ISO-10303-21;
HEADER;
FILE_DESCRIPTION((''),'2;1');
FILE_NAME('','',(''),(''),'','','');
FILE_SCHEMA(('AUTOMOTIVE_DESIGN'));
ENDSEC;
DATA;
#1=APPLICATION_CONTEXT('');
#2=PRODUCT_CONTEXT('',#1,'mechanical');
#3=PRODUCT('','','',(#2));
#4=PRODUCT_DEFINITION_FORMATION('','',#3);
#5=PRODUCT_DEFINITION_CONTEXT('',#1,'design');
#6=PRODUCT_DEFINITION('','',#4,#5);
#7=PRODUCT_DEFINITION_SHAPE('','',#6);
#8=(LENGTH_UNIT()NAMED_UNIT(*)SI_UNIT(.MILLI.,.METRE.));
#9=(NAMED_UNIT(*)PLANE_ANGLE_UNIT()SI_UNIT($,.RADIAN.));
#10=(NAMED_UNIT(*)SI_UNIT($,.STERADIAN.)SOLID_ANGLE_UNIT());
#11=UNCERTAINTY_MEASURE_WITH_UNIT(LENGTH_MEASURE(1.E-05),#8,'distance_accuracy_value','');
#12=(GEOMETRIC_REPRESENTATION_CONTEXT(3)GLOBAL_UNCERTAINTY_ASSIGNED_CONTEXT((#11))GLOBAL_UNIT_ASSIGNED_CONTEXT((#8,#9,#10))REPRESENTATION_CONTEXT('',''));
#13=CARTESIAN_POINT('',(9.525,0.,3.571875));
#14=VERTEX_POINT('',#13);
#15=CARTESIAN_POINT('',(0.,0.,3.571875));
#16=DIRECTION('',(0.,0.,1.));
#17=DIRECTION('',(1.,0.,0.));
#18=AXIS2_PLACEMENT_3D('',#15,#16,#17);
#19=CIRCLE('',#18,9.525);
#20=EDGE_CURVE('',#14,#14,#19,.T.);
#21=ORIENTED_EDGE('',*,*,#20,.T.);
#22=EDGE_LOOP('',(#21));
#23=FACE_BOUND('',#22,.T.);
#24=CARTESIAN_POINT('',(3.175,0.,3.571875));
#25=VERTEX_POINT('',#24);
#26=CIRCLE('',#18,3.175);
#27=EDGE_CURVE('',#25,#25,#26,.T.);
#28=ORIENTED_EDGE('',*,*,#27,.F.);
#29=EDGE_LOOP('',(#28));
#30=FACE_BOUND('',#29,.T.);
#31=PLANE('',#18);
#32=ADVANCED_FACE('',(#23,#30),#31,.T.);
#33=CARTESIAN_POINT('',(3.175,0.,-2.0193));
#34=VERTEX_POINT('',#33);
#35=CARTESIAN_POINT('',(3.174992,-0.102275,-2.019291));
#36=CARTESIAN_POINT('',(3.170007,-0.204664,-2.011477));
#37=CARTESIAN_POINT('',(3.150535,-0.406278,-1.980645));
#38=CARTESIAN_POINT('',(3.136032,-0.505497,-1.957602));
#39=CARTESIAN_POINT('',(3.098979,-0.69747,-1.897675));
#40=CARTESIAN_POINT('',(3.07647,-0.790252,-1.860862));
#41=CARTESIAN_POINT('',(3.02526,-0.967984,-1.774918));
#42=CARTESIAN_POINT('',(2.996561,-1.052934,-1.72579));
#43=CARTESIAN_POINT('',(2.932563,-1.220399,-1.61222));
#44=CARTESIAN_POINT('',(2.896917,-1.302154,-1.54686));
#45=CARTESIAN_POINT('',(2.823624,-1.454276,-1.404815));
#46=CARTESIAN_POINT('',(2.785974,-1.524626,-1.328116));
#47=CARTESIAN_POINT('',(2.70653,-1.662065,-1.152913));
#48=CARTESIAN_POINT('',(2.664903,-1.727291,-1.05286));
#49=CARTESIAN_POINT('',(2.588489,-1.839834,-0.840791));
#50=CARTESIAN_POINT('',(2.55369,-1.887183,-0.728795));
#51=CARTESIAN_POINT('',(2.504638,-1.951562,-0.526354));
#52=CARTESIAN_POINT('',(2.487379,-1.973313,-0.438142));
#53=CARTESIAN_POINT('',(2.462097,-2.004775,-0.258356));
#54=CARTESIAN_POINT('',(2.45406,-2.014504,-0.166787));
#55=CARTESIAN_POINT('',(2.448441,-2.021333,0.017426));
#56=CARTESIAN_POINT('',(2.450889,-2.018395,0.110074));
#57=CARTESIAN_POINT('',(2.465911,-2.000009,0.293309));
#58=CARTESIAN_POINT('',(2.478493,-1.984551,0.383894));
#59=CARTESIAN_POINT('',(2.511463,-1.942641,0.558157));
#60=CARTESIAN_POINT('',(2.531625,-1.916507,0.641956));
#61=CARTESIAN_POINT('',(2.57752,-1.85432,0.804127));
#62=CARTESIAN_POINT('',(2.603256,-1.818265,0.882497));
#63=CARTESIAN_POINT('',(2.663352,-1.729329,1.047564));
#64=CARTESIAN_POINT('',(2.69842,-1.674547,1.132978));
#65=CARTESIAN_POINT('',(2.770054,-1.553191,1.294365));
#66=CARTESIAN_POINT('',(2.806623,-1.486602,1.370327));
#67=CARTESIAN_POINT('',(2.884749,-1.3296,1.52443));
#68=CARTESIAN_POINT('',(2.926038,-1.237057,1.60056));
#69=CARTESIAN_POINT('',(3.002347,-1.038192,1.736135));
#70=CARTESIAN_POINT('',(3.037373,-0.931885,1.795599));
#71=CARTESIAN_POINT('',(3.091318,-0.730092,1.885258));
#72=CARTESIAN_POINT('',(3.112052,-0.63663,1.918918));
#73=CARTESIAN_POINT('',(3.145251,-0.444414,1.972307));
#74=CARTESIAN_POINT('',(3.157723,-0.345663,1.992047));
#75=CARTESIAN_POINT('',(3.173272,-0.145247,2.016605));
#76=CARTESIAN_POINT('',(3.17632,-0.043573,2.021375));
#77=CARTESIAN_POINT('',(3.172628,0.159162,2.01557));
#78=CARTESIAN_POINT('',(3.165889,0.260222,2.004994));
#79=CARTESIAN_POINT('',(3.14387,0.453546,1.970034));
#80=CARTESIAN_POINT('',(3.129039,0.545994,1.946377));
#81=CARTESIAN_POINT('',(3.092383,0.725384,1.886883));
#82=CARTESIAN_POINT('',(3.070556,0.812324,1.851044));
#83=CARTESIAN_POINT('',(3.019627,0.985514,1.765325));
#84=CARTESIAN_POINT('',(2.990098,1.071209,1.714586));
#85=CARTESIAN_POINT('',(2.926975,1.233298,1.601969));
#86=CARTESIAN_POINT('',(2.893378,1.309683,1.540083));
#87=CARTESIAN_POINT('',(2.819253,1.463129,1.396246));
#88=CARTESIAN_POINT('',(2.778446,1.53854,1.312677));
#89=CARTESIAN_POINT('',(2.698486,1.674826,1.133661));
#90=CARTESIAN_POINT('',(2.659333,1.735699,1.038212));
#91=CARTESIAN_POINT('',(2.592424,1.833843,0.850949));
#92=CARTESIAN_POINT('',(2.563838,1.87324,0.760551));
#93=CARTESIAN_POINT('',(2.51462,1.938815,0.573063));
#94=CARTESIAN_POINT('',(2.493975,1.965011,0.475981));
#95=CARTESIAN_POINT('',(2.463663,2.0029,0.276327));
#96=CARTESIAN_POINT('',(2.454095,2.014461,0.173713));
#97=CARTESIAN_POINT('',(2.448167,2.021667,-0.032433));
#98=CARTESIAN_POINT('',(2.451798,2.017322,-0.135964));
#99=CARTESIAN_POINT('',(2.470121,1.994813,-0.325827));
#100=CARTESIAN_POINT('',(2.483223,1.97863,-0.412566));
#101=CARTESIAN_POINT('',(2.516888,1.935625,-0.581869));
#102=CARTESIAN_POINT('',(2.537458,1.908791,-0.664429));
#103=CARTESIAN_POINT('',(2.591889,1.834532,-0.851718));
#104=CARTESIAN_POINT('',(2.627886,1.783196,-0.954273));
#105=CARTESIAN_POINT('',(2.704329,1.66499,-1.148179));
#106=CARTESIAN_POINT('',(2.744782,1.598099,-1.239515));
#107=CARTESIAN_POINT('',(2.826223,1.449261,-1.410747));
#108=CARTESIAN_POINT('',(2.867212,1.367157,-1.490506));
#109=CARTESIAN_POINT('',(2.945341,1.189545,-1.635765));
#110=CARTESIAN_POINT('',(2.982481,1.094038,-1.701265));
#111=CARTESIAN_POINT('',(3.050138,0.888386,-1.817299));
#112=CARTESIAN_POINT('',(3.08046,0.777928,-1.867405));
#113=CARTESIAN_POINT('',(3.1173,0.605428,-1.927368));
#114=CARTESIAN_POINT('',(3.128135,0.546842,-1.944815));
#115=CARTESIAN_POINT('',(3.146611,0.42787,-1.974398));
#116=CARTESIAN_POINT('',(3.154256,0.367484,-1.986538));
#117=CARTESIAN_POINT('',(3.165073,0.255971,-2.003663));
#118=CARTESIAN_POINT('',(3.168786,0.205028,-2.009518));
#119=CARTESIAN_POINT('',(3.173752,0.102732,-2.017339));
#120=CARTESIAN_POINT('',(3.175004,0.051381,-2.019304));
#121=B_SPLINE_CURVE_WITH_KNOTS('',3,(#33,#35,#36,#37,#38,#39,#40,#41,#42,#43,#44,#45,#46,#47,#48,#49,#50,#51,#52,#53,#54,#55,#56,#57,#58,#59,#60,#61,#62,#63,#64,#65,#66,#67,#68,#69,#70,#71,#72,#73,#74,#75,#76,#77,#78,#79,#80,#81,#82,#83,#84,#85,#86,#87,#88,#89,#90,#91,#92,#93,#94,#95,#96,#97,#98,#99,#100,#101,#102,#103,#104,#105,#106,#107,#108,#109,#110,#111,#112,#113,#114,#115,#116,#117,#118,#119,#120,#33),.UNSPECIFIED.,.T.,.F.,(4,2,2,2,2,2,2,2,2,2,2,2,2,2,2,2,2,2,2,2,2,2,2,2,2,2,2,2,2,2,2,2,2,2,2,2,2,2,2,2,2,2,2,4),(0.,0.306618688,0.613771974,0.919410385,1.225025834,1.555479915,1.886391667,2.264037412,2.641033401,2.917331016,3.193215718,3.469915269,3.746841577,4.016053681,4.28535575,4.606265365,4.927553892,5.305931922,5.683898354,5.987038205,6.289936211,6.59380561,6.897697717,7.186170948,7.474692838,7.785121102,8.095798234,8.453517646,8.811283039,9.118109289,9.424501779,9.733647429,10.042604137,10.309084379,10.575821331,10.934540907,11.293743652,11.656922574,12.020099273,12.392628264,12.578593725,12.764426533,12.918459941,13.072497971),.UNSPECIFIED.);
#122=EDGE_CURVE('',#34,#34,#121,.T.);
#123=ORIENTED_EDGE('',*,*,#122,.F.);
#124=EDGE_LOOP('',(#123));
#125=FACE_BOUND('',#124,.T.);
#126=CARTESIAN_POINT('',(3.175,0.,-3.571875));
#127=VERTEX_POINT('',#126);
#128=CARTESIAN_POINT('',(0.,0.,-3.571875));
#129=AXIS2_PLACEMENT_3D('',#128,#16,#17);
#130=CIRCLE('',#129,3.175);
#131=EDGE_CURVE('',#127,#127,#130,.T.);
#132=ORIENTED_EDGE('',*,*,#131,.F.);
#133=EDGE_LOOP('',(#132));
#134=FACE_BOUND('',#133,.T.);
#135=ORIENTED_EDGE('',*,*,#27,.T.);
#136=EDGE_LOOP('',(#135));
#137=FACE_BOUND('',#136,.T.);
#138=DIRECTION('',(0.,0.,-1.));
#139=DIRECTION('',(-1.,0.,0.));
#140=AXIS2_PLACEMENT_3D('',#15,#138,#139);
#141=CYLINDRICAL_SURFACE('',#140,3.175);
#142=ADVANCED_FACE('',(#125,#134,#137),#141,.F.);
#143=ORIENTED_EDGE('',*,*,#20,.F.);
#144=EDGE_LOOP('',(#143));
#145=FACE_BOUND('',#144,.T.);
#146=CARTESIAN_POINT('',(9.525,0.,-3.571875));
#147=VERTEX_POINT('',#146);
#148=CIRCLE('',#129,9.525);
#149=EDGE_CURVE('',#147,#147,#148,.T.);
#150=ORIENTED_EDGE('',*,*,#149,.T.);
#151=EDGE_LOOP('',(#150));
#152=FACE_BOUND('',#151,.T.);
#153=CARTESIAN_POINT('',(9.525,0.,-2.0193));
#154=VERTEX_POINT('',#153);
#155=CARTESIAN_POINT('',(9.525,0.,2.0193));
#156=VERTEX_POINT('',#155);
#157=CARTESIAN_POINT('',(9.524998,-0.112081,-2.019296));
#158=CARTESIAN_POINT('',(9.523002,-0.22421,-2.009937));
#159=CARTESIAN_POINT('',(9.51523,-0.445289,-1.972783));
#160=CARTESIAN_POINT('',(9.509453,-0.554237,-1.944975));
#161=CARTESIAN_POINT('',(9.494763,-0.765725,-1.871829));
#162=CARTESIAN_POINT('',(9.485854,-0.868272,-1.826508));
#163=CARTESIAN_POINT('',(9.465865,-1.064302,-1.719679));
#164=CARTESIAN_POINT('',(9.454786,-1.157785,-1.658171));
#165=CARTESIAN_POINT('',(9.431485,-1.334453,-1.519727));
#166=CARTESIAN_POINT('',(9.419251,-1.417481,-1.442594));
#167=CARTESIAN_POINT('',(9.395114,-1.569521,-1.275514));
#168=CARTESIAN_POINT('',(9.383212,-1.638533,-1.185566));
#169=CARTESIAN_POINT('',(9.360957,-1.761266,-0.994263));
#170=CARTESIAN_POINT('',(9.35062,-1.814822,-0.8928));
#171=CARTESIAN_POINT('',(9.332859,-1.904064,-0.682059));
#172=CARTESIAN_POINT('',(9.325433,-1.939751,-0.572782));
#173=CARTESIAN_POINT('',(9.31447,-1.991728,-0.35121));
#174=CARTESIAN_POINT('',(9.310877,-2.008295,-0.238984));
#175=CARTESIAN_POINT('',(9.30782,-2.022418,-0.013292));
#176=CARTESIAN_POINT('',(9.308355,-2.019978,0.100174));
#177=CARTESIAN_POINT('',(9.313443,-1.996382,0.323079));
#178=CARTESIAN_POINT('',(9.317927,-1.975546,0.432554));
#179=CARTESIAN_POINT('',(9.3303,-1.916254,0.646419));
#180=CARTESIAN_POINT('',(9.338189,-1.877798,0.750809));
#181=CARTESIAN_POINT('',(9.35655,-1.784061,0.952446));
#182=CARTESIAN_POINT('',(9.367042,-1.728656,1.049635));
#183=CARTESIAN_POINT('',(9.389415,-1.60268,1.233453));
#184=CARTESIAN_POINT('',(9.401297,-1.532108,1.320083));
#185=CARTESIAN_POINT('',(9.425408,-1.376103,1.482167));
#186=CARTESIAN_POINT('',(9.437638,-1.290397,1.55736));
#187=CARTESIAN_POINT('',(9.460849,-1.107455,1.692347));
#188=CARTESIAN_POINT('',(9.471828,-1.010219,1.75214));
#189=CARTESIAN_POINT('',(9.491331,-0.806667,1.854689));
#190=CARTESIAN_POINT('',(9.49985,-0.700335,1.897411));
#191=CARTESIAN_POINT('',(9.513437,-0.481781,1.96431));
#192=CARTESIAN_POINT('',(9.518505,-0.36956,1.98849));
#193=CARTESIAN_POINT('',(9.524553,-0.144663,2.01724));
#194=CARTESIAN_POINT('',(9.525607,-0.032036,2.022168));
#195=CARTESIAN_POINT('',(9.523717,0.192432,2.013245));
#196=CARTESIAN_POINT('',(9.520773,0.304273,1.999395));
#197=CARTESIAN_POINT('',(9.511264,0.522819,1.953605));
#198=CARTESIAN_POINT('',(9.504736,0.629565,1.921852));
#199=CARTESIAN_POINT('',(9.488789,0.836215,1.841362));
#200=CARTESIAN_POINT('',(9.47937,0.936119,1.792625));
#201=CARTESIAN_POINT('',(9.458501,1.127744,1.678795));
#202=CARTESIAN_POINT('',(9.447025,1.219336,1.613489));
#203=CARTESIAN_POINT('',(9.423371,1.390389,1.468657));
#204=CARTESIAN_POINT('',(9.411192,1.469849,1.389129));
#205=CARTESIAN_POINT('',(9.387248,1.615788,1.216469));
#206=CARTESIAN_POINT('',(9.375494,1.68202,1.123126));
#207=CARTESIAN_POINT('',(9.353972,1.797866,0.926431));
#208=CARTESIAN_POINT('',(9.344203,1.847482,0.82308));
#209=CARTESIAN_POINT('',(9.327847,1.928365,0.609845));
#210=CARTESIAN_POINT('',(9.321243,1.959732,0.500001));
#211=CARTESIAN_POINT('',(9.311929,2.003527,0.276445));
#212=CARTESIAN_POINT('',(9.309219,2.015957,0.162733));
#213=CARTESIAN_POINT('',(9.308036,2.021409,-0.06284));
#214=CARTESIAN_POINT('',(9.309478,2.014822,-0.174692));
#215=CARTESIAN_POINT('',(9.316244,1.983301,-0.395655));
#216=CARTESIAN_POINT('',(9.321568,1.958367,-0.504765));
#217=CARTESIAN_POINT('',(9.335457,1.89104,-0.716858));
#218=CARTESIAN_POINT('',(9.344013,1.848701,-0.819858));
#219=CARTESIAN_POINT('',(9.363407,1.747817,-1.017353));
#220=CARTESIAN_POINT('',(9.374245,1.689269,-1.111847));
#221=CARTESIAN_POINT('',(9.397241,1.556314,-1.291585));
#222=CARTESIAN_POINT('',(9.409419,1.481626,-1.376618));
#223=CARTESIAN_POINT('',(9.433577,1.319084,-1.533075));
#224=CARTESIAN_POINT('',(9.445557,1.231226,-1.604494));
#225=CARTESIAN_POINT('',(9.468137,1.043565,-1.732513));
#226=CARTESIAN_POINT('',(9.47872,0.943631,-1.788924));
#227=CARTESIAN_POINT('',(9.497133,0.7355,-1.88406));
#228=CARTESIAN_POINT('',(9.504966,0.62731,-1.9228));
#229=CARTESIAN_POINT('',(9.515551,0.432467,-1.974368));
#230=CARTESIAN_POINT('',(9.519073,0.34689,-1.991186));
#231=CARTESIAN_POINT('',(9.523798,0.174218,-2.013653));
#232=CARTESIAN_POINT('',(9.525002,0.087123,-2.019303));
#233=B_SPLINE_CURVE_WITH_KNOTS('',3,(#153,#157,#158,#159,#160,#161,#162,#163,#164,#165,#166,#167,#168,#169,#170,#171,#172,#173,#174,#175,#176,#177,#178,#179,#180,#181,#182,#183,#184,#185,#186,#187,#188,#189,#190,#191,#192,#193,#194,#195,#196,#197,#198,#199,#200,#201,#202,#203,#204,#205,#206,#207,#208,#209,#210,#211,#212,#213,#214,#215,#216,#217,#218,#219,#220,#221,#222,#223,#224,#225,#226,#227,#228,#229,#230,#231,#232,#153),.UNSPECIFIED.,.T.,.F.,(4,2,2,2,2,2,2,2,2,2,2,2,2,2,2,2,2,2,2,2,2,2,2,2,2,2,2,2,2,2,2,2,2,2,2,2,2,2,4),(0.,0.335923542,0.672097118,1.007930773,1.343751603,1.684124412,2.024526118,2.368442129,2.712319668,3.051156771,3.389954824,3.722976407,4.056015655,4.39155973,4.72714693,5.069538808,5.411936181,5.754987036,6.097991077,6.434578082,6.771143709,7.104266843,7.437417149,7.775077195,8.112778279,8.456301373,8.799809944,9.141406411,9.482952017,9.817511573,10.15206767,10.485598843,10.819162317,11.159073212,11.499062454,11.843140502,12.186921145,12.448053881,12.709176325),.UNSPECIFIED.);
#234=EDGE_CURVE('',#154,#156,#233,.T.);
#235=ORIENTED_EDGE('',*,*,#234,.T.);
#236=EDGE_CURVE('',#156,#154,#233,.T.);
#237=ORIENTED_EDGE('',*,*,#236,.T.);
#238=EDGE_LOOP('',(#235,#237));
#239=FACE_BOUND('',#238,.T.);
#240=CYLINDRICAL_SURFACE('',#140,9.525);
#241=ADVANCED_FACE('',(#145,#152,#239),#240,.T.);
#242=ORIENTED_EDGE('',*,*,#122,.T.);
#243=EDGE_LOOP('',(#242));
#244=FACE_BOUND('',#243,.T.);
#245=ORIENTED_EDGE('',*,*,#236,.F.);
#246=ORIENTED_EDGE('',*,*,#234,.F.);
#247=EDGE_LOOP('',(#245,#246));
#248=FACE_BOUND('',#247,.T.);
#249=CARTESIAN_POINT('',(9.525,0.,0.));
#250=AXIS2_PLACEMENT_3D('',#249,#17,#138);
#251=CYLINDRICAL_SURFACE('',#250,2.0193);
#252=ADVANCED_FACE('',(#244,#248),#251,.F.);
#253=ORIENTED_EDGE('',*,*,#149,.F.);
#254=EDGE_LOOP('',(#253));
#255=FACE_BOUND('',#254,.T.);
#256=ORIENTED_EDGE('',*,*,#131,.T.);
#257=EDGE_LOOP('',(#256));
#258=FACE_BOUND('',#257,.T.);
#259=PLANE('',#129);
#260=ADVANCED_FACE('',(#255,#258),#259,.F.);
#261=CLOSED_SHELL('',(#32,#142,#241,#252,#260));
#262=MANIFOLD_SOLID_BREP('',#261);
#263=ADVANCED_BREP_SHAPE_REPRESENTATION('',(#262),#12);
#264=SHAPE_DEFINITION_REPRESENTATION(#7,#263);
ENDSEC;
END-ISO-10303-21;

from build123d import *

# Parameters (mm, degrees)
SKETCH1_R                   = 9.525
SKETCH1_R_2                 = 3.175
EXTRUDE1_DEPTH              = 3.571875
F_10_32_TAPPED_HOLE1_REACH  = 23.596
F_10_32_TAPPED_HOLE1_BORE_R = 2.0193


with BuildPart() as part:
    # Sketch1 → Extrude1 (new, symmetric)
    with BuildSketch(Plane.XY):
        Circle(SKETCH1_R)
        Circle(SKETCH1_R_2, mode=Mode.SUBTRACT)
    extrude(amount=EXTRUDE1_DEPTH, both=True)

    # #10-32 Tapped Hole1 bore → #10-32 Tapped Hole1 (cut, up to next)
    with BuildSketch(Plane(origin=(9.525, 0, 0), x_dir=(0, 0, -1), z_dir=(1, 0, 0)), mode=Mode.PRIVATE) as f_10_32_tapped_hole1_sk1:
        Circle(F_10_32_TAPPED_HOLE1_BORE_R)
    f_10_32_tapped_hole1_tool1 = extrude(f_10_32_tapped_hole1_sk1.sketch, amount=-F_10_32_TAPPED_HOLE1_REACH, mode=Mode.PRIVATE) & part.part
    add(f_10_32_tapped_hole1_tool1.solids().sort_by_distance((9.525, 0, 0))[0], mode=Mode.SUBTRACT)


solid = part.part
